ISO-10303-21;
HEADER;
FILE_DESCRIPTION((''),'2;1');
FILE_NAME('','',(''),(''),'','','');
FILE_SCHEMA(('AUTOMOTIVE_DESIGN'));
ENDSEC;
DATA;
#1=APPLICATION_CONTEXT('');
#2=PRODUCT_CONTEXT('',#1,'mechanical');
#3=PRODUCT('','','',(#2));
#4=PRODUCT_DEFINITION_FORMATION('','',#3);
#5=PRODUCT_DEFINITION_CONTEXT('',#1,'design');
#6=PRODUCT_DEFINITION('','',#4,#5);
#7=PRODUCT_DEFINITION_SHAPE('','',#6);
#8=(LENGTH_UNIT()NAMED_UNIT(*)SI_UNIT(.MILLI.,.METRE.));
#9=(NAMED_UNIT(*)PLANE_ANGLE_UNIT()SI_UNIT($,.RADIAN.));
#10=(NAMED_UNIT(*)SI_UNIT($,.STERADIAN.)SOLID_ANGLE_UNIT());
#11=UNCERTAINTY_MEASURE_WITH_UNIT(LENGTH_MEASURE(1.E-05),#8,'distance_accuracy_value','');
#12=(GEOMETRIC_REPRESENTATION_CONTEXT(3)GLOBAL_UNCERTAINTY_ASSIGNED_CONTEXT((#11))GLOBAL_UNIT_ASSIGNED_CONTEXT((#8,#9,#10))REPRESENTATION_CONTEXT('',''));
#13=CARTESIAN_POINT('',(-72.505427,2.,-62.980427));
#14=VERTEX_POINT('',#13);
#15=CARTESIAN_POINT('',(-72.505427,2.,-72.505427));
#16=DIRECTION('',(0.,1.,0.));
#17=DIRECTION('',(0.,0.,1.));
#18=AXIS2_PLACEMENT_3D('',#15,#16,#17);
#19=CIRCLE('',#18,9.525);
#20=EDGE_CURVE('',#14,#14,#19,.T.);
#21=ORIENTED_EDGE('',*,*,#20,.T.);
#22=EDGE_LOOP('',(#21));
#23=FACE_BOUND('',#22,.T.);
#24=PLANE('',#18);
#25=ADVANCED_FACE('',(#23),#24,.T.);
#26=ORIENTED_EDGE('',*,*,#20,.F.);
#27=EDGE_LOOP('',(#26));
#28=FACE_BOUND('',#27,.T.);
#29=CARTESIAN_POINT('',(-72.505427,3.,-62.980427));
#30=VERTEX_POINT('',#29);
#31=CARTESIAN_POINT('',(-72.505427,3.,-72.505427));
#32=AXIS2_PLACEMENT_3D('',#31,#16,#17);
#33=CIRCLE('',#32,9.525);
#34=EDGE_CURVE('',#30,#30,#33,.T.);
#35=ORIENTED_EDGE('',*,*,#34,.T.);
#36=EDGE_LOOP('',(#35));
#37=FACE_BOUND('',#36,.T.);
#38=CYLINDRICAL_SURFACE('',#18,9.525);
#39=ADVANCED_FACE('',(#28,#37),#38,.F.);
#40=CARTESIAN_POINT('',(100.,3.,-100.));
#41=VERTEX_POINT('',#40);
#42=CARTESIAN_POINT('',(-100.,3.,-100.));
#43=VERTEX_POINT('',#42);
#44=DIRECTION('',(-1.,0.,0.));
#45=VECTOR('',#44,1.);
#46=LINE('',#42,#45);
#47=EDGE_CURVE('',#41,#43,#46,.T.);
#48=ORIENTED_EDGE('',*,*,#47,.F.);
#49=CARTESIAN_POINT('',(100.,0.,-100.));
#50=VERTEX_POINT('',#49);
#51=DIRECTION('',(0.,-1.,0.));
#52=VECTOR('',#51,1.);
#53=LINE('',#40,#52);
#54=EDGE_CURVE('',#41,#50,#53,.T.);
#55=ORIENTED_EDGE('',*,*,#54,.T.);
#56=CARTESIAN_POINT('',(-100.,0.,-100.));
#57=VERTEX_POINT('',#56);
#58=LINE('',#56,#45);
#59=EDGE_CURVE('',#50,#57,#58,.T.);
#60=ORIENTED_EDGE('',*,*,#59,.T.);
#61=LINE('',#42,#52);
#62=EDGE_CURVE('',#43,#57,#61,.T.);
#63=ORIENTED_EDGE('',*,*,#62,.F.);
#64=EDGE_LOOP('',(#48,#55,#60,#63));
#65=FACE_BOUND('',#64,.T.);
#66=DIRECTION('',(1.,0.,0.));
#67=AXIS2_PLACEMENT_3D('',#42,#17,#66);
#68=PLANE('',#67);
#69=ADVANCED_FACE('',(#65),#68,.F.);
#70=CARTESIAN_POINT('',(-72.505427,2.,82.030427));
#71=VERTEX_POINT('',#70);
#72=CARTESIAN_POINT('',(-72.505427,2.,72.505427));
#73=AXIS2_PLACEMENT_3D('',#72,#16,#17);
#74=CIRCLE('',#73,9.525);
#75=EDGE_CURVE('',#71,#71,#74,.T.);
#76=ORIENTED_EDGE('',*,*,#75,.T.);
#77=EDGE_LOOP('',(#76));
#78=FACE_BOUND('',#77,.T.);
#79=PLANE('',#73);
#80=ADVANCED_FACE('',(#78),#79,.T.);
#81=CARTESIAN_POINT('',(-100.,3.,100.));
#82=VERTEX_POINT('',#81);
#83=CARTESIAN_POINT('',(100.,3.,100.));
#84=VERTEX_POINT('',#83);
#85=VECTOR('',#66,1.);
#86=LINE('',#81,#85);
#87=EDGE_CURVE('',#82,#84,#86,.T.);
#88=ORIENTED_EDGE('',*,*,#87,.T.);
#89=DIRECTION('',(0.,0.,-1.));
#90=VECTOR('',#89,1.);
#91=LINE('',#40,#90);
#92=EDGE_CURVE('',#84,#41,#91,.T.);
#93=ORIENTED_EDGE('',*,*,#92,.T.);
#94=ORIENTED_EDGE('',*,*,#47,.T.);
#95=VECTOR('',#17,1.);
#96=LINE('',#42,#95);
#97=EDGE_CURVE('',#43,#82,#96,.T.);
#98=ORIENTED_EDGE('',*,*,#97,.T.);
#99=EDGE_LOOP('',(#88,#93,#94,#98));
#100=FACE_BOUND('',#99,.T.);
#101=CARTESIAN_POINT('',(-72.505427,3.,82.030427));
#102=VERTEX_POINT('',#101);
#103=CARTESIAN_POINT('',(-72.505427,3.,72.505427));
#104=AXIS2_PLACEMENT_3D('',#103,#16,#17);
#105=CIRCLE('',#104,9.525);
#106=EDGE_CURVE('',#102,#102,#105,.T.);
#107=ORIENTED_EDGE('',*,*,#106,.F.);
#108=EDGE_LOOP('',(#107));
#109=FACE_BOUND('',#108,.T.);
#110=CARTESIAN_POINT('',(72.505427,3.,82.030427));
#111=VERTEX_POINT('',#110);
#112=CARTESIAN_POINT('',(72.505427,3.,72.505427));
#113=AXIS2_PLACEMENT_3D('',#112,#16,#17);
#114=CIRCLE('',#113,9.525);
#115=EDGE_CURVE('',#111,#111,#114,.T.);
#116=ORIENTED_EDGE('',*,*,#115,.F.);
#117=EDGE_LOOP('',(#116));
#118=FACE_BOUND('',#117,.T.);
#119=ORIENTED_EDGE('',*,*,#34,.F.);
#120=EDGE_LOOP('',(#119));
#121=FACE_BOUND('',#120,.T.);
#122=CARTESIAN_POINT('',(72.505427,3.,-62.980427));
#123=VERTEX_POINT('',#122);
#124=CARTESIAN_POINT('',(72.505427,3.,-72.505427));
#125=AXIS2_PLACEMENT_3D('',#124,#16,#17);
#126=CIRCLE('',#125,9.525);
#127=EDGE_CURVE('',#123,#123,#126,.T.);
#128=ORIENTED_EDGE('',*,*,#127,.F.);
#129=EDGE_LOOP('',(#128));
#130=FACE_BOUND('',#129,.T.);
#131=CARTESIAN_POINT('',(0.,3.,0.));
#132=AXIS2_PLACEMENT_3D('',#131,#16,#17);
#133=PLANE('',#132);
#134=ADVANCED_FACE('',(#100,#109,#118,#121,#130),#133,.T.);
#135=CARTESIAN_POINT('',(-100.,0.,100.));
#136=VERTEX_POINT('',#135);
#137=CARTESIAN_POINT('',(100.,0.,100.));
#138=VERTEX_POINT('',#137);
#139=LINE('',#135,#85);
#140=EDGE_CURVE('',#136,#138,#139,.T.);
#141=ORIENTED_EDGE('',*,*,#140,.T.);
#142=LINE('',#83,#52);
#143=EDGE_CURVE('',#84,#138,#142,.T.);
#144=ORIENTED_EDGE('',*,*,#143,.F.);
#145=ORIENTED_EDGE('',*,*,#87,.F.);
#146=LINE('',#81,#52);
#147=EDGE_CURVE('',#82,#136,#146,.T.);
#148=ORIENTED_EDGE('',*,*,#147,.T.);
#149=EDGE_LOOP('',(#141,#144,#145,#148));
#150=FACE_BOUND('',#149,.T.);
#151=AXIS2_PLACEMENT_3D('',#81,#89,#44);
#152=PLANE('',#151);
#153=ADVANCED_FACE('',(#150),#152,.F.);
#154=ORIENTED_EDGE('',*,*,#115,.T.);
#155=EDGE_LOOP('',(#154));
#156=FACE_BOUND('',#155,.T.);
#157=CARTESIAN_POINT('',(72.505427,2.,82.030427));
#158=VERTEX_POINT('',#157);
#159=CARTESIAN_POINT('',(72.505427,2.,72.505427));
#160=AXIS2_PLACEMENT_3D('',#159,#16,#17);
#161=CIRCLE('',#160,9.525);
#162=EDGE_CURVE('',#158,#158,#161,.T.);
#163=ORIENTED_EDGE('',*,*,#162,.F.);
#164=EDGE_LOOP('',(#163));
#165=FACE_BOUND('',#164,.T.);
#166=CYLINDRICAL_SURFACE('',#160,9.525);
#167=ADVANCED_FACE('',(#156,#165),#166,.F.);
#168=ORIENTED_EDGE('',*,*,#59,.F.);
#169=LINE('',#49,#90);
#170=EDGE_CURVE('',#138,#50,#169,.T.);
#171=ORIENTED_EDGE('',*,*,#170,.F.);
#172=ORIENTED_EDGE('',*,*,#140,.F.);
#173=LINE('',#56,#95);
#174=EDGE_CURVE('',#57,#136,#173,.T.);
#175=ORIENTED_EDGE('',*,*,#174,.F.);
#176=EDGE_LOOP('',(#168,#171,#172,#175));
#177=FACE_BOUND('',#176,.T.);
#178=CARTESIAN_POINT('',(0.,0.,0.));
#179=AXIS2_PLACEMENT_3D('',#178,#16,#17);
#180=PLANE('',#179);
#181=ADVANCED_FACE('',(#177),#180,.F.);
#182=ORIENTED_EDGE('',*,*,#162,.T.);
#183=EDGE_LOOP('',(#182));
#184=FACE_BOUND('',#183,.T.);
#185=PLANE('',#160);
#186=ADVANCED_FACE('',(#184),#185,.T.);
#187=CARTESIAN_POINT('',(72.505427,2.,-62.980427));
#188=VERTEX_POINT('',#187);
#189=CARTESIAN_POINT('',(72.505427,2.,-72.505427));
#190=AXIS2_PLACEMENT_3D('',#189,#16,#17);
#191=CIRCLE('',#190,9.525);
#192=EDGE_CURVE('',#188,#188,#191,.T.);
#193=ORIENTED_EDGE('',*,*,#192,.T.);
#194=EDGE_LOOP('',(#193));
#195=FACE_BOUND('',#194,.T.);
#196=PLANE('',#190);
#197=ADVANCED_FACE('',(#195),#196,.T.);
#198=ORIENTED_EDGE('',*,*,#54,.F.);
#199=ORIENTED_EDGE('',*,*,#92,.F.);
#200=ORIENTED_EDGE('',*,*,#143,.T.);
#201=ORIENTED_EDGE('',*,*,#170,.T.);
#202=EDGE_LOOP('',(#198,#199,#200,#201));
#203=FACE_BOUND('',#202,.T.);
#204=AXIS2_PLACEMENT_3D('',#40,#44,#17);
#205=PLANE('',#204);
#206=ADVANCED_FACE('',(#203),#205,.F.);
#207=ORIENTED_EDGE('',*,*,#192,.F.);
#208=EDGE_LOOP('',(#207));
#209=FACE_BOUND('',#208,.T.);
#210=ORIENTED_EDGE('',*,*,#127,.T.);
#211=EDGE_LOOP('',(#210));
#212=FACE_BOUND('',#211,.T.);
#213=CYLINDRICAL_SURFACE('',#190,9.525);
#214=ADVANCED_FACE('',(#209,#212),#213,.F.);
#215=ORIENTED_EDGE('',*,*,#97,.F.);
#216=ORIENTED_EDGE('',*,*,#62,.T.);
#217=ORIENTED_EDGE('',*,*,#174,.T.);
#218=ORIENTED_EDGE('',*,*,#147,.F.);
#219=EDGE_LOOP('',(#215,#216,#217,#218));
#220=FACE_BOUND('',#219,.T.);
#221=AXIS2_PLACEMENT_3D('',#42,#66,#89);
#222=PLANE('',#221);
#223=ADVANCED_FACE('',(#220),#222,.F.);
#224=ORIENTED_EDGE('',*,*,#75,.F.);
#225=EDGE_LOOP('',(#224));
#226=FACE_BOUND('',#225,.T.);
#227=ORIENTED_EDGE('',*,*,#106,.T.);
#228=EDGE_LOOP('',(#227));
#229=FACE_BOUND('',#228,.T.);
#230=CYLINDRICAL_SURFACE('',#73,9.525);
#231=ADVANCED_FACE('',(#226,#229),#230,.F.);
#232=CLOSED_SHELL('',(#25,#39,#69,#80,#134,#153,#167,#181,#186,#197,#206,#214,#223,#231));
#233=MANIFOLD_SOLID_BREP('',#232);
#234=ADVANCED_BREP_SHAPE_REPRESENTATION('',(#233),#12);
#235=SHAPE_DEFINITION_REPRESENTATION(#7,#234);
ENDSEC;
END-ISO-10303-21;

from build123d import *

# Parameters (mm, degrees)
SKETCH1_W           = 200
SKETCH1_H           = 200
BOSS_EXTRUDE1_DEPTH = 3
SKETCH2_R           = 9.525
CUT_EXTRUDE1_DEPTH  = 1


with BuildPart() as part:
    # Sketch1 → Boss-Extrude1 (new body)
    with BuildSketch(Plane(origin=(0, 0, 0), x_dir=(1, 0, 0), z_dir=(0, 1, 0))):
        Rectangle(SKETCH1_W, SKETCH1_H)
    extrude(amount=BOSS_EXTRUDE1_DEPTH)

    # Sketch2 → Cut-Extrude1 (cut)
    with BuildSketch(Plane(origin=(0, 3, 0), x_dir=(1, 0, 0), z_dir=(0, 1, 0))):
        with Locations(Location((-72.505426733, 72.505426733, 0), (0, 0, 270))):
            Circle(SKETCH2_R)
        with Locations(Location((72.505426733, 72.505426733, 0), (0, 0, 270))):
            Circle(SKETCH2_R)
        with Locations(Location((72.505426733, -72.505426733, 0), (0, 0, 270))):
            Circle(SKETCH2_R)
        with Locations(Location((-72.505426733, -72.505426733, 0), (0, 0, 270))):
            Circle(SKETCH2_R)
    extrude(amount=-CUT_EXTRUDE1_DEPTH, mode=Mode.SUBTRACT)


solid = part.part
